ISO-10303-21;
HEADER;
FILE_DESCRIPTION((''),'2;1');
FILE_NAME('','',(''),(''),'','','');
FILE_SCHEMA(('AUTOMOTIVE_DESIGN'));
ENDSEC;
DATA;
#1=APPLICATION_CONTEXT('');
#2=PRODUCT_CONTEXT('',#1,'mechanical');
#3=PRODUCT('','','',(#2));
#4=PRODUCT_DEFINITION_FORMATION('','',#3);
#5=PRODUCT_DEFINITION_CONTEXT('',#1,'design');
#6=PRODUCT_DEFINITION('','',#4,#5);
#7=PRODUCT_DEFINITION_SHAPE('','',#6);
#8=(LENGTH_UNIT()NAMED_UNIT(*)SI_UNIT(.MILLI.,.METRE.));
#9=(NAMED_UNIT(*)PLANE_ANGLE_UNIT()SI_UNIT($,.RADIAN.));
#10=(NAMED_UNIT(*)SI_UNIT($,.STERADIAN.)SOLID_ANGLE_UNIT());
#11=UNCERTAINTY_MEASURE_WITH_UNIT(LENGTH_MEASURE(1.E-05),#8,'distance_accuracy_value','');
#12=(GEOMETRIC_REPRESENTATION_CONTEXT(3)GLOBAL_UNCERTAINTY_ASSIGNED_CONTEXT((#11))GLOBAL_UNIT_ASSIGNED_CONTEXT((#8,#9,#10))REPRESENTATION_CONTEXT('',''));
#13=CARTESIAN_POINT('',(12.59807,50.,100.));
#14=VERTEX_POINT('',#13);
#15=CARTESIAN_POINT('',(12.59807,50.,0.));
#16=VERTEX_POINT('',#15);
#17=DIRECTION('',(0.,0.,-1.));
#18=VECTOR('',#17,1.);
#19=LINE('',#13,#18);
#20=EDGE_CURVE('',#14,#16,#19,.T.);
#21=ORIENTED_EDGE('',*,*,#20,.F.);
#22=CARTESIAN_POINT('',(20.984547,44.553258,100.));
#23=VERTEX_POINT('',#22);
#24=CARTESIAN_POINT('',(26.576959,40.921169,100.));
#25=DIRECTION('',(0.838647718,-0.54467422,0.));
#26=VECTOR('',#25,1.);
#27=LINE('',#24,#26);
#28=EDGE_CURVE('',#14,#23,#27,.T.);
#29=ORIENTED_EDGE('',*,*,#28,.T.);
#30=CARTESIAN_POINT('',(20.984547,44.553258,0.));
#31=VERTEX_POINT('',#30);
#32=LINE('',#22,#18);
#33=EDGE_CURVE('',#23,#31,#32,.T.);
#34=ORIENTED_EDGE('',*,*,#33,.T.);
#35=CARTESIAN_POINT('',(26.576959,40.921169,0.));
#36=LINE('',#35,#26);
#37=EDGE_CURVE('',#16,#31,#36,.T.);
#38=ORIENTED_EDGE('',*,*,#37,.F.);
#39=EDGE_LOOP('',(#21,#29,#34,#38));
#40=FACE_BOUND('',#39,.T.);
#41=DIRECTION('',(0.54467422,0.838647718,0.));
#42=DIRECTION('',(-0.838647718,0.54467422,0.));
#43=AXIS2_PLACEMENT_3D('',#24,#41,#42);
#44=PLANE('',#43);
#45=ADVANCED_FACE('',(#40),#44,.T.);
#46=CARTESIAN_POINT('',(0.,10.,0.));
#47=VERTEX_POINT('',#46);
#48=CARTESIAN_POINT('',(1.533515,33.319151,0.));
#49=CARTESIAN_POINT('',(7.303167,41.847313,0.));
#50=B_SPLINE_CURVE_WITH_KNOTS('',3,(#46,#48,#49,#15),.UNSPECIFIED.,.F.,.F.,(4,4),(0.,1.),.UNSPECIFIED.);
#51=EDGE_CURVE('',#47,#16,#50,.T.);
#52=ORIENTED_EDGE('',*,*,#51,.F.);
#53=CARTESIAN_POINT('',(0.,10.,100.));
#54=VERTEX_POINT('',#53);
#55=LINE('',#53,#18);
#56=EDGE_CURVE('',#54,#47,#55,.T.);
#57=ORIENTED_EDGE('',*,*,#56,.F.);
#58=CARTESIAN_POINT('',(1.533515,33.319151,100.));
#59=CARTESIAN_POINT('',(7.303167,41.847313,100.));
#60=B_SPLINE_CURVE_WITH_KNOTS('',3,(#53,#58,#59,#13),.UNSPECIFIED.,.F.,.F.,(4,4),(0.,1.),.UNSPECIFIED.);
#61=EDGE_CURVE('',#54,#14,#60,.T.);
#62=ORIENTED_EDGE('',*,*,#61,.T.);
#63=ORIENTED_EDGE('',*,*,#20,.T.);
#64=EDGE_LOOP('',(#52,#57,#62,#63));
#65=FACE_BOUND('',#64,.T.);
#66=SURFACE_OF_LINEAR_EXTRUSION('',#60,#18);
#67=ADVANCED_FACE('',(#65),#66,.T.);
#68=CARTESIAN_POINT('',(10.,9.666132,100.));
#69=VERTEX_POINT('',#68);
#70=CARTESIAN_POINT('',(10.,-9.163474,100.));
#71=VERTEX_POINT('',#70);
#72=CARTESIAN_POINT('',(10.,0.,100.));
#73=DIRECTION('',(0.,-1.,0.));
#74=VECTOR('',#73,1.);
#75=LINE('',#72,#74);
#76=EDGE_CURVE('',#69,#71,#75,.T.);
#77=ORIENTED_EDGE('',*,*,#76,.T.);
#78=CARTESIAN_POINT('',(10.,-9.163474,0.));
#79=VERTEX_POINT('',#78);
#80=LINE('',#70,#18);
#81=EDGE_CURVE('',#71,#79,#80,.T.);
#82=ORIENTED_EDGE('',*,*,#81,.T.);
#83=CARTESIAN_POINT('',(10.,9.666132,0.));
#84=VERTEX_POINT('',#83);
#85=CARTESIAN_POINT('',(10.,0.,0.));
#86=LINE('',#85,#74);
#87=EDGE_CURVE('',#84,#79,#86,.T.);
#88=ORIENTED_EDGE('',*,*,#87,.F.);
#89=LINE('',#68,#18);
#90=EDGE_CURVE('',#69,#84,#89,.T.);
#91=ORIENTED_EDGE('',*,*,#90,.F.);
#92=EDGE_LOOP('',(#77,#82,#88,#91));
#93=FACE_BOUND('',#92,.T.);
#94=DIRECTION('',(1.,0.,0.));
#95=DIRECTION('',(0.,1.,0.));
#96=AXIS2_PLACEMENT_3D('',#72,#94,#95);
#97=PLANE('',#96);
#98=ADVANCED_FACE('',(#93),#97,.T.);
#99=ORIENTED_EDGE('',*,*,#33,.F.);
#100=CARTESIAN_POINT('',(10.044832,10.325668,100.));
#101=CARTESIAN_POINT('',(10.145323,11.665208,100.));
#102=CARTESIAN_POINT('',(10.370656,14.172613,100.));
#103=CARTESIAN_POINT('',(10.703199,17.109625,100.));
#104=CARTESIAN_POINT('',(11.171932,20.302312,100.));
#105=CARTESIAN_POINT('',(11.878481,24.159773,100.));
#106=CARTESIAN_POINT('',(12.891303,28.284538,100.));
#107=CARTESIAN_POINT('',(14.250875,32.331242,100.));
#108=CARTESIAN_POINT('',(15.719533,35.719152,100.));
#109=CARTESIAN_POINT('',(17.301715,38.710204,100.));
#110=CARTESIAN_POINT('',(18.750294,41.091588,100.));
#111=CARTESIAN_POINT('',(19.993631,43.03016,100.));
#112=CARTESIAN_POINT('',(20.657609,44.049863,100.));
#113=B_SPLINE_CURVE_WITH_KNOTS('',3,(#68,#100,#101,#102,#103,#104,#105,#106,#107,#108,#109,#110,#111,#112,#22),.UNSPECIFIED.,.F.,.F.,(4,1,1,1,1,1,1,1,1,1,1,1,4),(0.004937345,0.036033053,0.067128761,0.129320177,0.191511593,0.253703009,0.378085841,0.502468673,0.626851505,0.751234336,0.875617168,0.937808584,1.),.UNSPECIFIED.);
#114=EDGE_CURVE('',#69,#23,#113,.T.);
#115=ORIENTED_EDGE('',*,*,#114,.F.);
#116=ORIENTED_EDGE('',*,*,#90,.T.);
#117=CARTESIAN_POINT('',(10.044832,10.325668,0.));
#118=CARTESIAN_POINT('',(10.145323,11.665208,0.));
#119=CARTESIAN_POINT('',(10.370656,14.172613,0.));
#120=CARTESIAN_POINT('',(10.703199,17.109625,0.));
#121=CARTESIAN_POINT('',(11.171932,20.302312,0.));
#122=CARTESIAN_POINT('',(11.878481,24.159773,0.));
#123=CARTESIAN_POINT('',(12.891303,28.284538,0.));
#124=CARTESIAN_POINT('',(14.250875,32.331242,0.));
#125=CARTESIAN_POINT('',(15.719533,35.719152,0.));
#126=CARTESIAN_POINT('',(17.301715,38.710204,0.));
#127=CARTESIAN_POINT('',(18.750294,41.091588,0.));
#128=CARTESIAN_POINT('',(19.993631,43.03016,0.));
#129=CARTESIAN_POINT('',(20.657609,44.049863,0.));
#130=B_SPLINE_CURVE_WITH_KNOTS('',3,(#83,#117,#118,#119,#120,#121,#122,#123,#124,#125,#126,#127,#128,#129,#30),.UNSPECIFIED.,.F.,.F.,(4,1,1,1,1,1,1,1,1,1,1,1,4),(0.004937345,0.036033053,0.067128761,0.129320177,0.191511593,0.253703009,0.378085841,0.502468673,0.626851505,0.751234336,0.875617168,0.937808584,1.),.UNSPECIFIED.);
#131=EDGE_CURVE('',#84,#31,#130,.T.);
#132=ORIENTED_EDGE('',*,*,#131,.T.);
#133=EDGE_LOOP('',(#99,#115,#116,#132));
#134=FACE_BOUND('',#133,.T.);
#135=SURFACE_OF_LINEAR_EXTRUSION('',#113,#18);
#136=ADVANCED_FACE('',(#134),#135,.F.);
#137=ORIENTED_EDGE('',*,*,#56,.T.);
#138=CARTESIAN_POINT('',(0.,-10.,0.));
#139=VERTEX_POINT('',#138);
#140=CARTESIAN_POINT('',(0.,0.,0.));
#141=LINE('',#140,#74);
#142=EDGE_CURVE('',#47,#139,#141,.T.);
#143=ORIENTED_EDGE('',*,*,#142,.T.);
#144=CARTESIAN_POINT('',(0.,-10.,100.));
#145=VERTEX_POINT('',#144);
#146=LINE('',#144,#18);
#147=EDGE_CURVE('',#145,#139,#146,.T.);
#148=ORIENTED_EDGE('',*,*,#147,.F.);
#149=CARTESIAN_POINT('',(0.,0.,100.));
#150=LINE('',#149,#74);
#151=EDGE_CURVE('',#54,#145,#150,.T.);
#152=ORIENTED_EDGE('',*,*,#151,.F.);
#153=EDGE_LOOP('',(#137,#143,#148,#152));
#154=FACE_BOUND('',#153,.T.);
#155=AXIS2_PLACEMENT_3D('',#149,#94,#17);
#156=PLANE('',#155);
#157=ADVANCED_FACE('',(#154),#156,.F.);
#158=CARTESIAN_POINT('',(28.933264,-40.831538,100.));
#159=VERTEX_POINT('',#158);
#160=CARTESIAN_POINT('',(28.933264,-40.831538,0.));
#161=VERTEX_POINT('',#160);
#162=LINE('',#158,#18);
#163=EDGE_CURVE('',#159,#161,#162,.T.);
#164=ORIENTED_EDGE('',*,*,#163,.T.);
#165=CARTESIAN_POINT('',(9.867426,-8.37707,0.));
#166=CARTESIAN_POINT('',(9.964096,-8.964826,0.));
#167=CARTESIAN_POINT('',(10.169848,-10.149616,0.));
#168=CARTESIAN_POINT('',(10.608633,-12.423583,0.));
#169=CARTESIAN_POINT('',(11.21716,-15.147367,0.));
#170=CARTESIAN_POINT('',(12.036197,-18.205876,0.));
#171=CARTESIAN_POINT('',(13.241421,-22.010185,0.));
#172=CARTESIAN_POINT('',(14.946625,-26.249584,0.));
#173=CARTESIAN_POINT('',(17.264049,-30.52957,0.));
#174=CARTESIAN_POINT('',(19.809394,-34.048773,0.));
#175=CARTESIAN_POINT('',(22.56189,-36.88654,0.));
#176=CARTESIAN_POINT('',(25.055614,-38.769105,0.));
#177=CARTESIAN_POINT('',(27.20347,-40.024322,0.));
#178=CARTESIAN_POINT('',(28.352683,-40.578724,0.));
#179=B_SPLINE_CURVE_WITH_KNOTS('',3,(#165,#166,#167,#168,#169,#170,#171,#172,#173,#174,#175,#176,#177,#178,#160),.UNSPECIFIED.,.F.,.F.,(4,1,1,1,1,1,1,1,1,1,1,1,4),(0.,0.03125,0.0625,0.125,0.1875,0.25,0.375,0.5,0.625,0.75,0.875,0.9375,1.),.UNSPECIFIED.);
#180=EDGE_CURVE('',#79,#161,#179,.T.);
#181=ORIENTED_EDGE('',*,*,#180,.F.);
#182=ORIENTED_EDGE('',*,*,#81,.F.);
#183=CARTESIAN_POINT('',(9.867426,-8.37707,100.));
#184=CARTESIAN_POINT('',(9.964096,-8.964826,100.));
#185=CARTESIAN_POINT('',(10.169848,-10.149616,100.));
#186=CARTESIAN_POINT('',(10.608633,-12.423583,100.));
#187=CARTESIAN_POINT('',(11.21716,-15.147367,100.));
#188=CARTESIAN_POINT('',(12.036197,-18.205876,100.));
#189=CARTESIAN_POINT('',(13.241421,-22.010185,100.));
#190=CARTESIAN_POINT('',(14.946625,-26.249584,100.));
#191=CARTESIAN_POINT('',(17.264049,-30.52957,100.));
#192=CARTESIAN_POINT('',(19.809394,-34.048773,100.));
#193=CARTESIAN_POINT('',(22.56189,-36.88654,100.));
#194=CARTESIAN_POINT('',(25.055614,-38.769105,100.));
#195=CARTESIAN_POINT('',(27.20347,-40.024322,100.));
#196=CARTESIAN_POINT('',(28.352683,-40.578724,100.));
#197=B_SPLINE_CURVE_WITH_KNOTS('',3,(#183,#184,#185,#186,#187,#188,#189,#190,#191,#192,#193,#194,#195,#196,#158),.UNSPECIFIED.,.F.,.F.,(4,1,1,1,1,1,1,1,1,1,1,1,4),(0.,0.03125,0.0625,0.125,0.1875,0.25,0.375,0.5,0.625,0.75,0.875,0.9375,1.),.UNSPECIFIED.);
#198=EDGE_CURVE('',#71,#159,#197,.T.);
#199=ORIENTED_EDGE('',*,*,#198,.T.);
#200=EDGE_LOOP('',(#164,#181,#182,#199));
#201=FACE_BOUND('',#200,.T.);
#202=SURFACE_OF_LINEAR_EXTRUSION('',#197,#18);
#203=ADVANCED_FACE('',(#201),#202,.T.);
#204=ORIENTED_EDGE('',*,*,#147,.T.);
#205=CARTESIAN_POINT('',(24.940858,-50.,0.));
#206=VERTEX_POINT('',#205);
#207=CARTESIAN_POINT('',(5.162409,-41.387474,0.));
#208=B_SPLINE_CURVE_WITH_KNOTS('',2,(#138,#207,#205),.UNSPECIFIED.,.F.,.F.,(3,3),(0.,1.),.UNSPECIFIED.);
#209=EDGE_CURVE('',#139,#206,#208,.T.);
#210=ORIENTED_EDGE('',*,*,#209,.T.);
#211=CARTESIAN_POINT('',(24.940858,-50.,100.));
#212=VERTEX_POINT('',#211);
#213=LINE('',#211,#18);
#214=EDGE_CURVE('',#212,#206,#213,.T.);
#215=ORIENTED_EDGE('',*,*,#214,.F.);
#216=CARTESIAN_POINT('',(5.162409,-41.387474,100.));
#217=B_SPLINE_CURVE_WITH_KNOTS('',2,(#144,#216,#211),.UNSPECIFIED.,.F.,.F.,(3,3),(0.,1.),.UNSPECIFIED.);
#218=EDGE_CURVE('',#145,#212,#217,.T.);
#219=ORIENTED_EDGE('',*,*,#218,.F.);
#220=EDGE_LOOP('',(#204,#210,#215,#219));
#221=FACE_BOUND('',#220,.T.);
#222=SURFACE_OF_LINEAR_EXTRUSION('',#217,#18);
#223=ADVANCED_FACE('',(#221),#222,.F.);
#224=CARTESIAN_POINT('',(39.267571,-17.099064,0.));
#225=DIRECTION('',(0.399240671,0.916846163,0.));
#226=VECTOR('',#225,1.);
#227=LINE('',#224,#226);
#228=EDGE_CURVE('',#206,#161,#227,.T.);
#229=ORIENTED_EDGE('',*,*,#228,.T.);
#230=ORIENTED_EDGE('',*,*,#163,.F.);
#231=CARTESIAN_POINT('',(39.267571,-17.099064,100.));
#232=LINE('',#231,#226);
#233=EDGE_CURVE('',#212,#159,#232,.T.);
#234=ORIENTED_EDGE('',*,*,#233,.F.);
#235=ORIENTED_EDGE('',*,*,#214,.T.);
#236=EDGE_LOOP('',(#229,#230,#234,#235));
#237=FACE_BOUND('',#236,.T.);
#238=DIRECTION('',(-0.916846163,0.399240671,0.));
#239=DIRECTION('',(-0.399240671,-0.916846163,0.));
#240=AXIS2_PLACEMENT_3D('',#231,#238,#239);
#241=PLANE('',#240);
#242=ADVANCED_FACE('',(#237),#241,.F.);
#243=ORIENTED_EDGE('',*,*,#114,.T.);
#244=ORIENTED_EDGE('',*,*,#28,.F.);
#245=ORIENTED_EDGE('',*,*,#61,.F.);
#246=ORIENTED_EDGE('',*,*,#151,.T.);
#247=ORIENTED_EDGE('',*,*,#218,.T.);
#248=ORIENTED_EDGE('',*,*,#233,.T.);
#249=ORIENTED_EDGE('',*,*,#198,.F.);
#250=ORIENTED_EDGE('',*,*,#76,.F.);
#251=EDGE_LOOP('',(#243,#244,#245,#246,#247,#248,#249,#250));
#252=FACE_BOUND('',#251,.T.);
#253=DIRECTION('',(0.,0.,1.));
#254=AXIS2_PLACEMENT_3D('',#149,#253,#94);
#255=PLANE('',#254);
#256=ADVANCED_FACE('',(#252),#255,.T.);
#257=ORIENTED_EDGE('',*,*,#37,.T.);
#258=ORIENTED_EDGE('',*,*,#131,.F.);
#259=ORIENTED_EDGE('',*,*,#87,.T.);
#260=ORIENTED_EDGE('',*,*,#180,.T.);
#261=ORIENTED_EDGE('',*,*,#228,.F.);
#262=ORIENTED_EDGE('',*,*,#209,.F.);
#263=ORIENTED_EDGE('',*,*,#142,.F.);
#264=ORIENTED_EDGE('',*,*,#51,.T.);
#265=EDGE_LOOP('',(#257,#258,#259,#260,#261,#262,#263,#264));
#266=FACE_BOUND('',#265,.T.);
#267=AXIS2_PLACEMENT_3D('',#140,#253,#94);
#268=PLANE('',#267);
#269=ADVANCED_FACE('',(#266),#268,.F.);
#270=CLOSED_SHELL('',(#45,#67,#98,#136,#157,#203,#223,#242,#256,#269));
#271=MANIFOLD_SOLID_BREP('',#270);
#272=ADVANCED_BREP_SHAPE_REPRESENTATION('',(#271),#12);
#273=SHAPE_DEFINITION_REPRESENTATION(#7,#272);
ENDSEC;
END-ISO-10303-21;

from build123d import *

# Parameters (mm, degrees)
BOSS_EXTRUDE1_DEPTH = 100


with BuildPart() as part:
    # Sketch2 → Boss-Extrude1 (new body)
    with BuildSketch(Plane.XY):
        with BuildLine():
            add(Edge.make_bspline(
                [(0, 10), (1.533515377, 33.319151282), (7.303166768, 41.847313143), (12.598069813, 50)],
                knots=[0, 0, 0, 0, 1, 1, 1, 1], degree=3))
            Line((0, 10), (0, 0))
            Line((0, 0), (0, -10))
            add(Edge.make_bspline(
                [(0, -10), (5.162408831, -41.387474282), (24.940857621, -50)],
                knots=[0, 0, 0, 1, 1, 1], degree=2))
            Line((24.940857621, -50), (28.933264328, -40.831538368))
            add(Edge.make_bspline(
                [(10, -9.163474156), (10.056385248, -9.489994067), (10.218691454, -10.40274145), (10.608632812, -12.423582905), (11.217159707, -15.147367418), (12.036197112, -18.205876092), (13.241421003, -22.010184853), (14.946624948, -26.249584187), (17.264049235, -30.529570228), (19.809393711, -34.048772515), (22.561889728, -36.886540275), (25.055614435, -38.769105307), (27.20346958, -40.024321521), (28.35268275, -40.578724115), (28.933264328, -40.831538368)],
                knots=[0.013914319, 0.013914319, 0.013914319, 0.013914319, 0.03125, 0.0625, 0.125, 0.1875, 0.25, 0.375, 0.5, 0.625, 0.75, 0.875, 0.9375, 1, 1, 1, 1], degree=3))
            Line((10, -9.163474156), (10, 0))
            Line((10, 0), (10, 9.66613227))
            add(Edge.make_bspline(
                [(10, 9.66613227), (10.044832415, 10.325668243), (10.145323413, 11.665207775), (10.370656318, 14.172612644), (10.703199446, 17.109625288), (11.171932341, 20.302311995), (11.878481202, 24.159772501), (12.891303178, 28.284538206), (14.25087497, 32.33124201), (15.719533079, 35.71915175), (17.301714969, 38.710204086), (18.75029356, 41.091588426), (19.993631129, 43.030159771), (20.657608588, 44.049863049), (20.984546989, 44.553257801)],
                knots=[0.004937345, 0.004937345, 0.004937345, 0.004937345, 0.036033053, 0.067128761, 0.129320177, 0.191511593, 0.253703009, 0.378085841, 0.502468673, 0.626851505, 0.751234336, 0.875617168, 0.937808584, 1, 1, 1, 1], degree=3))
            Line((20.984546989, 44.553257801), (12.598069813, 50))
        make_face()
    extrude(amount=BOSS_EXTRUDE1_DEPTH)


solid = part.part
